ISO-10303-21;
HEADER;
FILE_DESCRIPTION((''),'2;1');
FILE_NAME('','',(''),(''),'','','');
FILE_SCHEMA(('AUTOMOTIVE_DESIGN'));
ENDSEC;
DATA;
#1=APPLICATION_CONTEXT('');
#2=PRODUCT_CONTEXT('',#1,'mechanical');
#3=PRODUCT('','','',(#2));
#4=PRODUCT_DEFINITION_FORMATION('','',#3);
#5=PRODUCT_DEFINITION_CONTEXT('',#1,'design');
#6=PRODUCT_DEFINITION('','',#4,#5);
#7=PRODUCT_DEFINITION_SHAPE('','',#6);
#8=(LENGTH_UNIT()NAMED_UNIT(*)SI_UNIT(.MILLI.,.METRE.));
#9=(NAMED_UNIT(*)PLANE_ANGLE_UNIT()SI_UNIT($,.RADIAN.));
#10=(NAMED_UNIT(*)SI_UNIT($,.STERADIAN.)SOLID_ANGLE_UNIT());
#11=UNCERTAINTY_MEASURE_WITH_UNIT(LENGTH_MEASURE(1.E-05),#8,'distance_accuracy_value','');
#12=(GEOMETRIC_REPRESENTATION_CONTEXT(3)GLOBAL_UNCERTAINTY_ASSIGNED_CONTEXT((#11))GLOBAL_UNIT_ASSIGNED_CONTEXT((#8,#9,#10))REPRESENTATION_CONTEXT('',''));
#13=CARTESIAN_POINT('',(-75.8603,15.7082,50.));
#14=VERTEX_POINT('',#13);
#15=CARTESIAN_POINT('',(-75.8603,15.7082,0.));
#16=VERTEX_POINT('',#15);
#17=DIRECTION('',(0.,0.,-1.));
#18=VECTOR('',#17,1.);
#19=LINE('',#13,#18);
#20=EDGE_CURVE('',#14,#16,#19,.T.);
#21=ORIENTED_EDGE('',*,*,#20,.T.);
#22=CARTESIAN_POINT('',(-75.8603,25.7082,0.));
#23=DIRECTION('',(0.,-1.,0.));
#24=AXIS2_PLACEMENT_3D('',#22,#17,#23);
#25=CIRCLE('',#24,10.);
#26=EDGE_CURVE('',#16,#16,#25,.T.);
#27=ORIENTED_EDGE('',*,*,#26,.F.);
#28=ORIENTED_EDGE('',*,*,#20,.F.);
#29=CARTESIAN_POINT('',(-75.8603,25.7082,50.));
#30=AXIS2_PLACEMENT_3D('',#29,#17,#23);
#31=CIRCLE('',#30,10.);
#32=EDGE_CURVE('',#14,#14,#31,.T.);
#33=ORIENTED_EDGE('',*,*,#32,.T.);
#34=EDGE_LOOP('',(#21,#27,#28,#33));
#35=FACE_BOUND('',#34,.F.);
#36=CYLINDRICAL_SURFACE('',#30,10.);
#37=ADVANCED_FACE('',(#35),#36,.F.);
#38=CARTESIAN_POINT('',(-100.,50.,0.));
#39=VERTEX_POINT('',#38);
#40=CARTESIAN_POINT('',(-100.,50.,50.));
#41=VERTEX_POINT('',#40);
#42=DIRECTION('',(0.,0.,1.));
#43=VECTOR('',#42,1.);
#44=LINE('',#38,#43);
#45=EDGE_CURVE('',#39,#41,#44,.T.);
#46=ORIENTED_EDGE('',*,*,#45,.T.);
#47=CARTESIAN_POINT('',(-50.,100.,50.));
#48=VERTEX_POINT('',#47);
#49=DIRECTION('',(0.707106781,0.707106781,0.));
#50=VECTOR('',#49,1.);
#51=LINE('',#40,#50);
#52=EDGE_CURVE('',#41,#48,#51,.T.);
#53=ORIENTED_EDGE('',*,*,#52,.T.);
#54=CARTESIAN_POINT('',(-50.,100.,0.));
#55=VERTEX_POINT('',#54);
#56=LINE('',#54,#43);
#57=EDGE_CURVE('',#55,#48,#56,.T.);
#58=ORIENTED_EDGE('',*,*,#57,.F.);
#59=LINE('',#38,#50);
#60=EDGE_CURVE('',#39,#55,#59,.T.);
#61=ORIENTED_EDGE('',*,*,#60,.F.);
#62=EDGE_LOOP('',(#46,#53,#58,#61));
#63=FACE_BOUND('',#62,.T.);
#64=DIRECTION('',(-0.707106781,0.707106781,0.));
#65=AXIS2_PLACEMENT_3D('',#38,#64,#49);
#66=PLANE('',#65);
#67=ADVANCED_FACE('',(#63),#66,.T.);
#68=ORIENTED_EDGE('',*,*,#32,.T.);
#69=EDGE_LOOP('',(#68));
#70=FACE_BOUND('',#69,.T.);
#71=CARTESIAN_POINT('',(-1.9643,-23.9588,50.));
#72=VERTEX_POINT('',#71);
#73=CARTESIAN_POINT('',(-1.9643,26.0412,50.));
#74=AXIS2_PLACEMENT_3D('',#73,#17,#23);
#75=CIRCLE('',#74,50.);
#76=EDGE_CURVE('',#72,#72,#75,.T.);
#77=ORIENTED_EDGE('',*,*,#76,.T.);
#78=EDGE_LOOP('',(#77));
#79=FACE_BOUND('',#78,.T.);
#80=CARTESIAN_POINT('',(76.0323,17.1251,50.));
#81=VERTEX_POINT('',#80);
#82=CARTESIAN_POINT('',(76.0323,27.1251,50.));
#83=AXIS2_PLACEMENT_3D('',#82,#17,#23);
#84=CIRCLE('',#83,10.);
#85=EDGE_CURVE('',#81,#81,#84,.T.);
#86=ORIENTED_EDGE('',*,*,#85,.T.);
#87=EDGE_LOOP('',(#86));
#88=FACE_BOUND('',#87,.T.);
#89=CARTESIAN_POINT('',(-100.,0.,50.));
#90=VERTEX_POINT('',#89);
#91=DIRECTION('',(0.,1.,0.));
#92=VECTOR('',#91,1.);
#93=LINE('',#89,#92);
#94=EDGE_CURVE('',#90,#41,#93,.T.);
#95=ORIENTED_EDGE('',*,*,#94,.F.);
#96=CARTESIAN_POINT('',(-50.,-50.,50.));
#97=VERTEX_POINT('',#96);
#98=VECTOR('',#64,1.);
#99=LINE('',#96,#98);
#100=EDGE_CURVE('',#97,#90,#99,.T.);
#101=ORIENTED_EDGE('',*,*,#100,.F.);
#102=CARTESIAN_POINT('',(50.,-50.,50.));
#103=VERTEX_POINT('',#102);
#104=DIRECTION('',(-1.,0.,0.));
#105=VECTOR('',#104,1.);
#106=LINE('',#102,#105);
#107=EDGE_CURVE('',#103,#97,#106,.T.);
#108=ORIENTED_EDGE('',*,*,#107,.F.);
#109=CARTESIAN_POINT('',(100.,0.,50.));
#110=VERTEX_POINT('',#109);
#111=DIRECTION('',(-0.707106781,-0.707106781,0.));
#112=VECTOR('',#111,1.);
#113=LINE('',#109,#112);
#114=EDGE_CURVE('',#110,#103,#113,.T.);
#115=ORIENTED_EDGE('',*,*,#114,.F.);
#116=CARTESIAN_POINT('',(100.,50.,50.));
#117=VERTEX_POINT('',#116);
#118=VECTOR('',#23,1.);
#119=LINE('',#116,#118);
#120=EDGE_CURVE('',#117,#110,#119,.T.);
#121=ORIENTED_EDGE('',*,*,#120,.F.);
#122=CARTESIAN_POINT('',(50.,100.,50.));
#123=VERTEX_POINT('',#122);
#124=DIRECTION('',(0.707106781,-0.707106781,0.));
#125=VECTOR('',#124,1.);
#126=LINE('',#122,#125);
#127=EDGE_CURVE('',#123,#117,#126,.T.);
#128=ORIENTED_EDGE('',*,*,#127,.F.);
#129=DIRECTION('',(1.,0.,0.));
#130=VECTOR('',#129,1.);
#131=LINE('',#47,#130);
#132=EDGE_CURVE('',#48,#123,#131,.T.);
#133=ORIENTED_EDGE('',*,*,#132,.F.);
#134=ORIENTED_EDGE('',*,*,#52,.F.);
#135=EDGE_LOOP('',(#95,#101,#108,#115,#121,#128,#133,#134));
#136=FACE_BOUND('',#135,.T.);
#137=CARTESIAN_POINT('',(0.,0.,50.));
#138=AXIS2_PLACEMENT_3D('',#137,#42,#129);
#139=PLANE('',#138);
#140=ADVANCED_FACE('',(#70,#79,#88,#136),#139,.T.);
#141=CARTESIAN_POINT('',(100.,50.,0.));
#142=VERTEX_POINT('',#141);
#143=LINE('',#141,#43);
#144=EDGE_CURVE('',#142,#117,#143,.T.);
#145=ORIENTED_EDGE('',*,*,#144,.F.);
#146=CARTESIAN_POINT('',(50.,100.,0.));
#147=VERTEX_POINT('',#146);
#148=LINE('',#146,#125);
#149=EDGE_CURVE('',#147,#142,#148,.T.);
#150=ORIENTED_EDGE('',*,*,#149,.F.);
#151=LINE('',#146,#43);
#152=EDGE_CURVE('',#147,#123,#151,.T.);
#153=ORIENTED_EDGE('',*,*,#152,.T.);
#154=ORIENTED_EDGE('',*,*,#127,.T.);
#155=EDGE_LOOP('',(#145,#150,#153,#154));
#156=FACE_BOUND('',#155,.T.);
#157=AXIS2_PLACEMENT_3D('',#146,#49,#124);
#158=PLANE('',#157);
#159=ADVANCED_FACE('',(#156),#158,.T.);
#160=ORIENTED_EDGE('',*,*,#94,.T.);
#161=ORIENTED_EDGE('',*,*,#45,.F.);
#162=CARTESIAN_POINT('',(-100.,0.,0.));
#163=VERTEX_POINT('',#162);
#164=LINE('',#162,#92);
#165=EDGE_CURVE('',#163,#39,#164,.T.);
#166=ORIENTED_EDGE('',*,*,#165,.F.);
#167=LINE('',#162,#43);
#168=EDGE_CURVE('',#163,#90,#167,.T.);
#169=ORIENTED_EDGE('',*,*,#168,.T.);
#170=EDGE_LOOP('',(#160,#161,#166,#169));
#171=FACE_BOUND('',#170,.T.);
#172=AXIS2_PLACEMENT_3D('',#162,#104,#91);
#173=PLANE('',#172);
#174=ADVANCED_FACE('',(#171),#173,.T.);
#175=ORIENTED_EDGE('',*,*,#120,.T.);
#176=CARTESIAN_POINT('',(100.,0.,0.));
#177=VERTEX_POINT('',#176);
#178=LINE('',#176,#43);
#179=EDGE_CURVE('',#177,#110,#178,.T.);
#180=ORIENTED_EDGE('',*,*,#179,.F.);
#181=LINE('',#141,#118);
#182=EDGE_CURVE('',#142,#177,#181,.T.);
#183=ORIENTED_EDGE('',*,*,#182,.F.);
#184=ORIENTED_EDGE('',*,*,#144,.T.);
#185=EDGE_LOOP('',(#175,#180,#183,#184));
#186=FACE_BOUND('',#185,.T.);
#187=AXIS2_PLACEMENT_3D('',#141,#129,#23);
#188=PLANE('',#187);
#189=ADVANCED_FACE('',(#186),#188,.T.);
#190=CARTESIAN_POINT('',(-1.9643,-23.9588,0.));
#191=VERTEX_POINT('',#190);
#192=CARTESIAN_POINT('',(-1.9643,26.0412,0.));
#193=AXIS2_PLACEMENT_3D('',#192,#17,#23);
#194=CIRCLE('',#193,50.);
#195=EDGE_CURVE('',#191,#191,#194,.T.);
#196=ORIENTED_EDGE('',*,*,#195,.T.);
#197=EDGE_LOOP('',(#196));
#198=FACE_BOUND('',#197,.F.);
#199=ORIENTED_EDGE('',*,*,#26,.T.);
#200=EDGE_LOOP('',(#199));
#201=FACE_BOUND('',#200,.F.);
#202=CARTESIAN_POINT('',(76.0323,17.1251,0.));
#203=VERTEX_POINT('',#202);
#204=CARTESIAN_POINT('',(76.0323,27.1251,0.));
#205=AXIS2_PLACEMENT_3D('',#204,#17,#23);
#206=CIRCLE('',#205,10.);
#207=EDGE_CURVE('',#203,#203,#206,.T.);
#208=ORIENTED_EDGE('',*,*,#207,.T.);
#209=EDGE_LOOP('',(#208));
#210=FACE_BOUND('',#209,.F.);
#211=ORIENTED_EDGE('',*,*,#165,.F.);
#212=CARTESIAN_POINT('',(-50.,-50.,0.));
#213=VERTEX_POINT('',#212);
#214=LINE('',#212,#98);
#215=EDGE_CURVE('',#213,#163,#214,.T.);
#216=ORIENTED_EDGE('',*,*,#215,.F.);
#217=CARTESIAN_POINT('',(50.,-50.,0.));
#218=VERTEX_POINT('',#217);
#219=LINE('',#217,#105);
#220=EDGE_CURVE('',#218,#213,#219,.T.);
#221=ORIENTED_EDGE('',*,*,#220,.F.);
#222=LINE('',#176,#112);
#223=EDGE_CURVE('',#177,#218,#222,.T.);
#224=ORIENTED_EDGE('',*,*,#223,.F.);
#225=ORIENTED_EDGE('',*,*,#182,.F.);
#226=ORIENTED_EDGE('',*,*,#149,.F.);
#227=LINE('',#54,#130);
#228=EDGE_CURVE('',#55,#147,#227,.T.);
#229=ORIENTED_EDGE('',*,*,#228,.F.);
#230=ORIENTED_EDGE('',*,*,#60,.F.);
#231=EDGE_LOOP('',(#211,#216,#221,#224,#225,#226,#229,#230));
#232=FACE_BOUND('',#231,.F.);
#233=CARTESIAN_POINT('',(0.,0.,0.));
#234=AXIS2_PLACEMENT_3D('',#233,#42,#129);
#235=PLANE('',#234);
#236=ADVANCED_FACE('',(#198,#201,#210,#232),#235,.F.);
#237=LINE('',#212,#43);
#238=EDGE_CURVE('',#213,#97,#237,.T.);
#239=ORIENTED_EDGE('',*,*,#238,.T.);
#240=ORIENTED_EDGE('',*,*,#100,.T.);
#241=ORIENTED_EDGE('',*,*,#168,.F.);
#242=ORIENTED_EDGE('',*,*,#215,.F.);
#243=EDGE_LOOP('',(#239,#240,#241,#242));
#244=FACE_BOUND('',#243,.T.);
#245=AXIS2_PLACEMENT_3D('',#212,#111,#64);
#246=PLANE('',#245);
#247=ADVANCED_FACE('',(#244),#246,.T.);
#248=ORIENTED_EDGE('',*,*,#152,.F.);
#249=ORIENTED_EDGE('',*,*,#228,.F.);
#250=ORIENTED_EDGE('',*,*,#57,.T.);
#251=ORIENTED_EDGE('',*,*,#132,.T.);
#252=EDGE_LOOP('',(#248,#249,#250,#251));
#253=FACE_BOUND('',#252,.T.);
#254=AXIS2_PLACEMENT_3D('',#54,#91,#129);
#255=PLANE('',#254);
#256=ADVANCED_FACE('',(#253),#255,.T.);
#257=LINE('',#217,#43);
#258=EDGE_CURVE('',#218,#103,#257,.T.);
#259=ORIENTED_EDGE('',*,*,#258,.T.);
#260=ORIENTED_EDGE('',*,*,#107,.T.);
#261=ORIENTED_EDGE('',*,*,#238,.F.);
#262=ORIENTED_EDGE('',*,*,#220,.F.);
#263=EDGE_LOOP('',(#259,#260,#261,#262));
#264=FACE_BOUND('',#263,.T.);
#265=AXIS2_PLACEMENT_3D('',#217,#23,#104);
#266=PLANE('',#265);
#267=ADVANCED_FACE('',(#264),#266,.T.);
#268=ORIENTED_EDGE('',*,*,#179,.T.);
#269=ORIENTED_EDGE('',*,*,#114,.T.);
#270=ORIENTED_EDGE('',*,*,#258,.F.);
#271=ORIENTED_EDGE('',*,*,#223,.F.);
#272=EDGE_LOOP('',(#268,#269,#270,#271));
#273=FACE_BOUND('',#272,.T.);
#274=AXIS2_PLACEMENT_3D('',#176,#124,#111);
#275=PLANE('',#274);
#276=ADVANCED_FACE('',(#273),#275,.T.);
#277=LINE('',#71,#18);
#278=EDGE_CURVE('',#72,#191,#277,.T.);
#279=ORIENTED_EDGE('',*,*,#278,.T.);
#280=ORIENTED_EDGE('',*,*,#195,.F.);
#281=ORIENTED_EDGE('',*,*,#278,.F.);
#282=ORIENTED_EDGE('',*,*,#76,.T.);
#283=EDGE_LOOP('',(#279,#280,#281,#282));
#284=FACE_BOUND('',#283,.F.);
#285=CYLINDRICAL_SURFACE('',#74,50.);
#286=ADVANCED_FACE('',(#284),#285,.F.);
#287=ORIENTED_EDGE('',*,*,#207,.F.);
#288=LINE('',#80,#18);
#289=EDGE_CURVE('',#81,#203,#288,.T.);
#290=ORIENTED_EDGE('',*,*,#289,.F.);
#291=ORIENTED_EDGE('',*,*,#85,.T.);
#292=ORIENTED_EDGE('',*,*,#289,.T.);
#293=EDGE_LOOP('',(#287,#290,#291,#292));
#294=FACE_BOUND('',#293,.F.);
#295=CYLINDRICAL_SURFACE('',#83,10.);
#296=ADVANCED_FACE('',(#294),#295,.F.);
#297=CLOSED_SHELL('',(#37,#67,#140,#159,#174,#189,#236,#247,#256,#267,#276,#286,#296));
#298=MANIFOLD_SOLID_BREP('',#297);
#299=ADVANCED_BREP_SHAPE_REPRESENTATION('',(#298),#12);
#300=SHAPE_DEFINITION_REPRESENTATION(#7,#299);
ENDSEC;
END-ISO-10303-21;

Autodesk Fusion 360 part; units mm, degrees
sketch "Sketch1" plane through (0, 0, 0) normal (0, 0, 1) x (1, 0, 0)
  line L0 (-50, 100) -> (50, 100)
  line L1 (50, 100) -> (100, 50)
  line L2 (100, 50) -> (100, 0)
  line L3 (100, 0) -> (50, -50)
  line L4 (50, -50) -> (-50, -50)
  line L5 (-50, -50) -> (-100, 0)
  line L6 (-100, 0) -> (-100, 50)
  line L7 (-100, 50) -> (-50, 100)
extrude "Extrude1" add sketch "Sketch1" along normal blind 50
hole "Hole1" at (-1.9643, 26.0412, 50) direction (0, 0, -1) diameter 100 depth 60 tip angle 118
hole "Hole2" at (76.0323, 27.1251, 50) direction (0, 0, -1) diameter 20 depth 60 tip angle 118
hole "Hole3" at (-75.8603, 25.7082, 50) direction (0, 0, -1) diameter 20 depth 60 tip angle 118
